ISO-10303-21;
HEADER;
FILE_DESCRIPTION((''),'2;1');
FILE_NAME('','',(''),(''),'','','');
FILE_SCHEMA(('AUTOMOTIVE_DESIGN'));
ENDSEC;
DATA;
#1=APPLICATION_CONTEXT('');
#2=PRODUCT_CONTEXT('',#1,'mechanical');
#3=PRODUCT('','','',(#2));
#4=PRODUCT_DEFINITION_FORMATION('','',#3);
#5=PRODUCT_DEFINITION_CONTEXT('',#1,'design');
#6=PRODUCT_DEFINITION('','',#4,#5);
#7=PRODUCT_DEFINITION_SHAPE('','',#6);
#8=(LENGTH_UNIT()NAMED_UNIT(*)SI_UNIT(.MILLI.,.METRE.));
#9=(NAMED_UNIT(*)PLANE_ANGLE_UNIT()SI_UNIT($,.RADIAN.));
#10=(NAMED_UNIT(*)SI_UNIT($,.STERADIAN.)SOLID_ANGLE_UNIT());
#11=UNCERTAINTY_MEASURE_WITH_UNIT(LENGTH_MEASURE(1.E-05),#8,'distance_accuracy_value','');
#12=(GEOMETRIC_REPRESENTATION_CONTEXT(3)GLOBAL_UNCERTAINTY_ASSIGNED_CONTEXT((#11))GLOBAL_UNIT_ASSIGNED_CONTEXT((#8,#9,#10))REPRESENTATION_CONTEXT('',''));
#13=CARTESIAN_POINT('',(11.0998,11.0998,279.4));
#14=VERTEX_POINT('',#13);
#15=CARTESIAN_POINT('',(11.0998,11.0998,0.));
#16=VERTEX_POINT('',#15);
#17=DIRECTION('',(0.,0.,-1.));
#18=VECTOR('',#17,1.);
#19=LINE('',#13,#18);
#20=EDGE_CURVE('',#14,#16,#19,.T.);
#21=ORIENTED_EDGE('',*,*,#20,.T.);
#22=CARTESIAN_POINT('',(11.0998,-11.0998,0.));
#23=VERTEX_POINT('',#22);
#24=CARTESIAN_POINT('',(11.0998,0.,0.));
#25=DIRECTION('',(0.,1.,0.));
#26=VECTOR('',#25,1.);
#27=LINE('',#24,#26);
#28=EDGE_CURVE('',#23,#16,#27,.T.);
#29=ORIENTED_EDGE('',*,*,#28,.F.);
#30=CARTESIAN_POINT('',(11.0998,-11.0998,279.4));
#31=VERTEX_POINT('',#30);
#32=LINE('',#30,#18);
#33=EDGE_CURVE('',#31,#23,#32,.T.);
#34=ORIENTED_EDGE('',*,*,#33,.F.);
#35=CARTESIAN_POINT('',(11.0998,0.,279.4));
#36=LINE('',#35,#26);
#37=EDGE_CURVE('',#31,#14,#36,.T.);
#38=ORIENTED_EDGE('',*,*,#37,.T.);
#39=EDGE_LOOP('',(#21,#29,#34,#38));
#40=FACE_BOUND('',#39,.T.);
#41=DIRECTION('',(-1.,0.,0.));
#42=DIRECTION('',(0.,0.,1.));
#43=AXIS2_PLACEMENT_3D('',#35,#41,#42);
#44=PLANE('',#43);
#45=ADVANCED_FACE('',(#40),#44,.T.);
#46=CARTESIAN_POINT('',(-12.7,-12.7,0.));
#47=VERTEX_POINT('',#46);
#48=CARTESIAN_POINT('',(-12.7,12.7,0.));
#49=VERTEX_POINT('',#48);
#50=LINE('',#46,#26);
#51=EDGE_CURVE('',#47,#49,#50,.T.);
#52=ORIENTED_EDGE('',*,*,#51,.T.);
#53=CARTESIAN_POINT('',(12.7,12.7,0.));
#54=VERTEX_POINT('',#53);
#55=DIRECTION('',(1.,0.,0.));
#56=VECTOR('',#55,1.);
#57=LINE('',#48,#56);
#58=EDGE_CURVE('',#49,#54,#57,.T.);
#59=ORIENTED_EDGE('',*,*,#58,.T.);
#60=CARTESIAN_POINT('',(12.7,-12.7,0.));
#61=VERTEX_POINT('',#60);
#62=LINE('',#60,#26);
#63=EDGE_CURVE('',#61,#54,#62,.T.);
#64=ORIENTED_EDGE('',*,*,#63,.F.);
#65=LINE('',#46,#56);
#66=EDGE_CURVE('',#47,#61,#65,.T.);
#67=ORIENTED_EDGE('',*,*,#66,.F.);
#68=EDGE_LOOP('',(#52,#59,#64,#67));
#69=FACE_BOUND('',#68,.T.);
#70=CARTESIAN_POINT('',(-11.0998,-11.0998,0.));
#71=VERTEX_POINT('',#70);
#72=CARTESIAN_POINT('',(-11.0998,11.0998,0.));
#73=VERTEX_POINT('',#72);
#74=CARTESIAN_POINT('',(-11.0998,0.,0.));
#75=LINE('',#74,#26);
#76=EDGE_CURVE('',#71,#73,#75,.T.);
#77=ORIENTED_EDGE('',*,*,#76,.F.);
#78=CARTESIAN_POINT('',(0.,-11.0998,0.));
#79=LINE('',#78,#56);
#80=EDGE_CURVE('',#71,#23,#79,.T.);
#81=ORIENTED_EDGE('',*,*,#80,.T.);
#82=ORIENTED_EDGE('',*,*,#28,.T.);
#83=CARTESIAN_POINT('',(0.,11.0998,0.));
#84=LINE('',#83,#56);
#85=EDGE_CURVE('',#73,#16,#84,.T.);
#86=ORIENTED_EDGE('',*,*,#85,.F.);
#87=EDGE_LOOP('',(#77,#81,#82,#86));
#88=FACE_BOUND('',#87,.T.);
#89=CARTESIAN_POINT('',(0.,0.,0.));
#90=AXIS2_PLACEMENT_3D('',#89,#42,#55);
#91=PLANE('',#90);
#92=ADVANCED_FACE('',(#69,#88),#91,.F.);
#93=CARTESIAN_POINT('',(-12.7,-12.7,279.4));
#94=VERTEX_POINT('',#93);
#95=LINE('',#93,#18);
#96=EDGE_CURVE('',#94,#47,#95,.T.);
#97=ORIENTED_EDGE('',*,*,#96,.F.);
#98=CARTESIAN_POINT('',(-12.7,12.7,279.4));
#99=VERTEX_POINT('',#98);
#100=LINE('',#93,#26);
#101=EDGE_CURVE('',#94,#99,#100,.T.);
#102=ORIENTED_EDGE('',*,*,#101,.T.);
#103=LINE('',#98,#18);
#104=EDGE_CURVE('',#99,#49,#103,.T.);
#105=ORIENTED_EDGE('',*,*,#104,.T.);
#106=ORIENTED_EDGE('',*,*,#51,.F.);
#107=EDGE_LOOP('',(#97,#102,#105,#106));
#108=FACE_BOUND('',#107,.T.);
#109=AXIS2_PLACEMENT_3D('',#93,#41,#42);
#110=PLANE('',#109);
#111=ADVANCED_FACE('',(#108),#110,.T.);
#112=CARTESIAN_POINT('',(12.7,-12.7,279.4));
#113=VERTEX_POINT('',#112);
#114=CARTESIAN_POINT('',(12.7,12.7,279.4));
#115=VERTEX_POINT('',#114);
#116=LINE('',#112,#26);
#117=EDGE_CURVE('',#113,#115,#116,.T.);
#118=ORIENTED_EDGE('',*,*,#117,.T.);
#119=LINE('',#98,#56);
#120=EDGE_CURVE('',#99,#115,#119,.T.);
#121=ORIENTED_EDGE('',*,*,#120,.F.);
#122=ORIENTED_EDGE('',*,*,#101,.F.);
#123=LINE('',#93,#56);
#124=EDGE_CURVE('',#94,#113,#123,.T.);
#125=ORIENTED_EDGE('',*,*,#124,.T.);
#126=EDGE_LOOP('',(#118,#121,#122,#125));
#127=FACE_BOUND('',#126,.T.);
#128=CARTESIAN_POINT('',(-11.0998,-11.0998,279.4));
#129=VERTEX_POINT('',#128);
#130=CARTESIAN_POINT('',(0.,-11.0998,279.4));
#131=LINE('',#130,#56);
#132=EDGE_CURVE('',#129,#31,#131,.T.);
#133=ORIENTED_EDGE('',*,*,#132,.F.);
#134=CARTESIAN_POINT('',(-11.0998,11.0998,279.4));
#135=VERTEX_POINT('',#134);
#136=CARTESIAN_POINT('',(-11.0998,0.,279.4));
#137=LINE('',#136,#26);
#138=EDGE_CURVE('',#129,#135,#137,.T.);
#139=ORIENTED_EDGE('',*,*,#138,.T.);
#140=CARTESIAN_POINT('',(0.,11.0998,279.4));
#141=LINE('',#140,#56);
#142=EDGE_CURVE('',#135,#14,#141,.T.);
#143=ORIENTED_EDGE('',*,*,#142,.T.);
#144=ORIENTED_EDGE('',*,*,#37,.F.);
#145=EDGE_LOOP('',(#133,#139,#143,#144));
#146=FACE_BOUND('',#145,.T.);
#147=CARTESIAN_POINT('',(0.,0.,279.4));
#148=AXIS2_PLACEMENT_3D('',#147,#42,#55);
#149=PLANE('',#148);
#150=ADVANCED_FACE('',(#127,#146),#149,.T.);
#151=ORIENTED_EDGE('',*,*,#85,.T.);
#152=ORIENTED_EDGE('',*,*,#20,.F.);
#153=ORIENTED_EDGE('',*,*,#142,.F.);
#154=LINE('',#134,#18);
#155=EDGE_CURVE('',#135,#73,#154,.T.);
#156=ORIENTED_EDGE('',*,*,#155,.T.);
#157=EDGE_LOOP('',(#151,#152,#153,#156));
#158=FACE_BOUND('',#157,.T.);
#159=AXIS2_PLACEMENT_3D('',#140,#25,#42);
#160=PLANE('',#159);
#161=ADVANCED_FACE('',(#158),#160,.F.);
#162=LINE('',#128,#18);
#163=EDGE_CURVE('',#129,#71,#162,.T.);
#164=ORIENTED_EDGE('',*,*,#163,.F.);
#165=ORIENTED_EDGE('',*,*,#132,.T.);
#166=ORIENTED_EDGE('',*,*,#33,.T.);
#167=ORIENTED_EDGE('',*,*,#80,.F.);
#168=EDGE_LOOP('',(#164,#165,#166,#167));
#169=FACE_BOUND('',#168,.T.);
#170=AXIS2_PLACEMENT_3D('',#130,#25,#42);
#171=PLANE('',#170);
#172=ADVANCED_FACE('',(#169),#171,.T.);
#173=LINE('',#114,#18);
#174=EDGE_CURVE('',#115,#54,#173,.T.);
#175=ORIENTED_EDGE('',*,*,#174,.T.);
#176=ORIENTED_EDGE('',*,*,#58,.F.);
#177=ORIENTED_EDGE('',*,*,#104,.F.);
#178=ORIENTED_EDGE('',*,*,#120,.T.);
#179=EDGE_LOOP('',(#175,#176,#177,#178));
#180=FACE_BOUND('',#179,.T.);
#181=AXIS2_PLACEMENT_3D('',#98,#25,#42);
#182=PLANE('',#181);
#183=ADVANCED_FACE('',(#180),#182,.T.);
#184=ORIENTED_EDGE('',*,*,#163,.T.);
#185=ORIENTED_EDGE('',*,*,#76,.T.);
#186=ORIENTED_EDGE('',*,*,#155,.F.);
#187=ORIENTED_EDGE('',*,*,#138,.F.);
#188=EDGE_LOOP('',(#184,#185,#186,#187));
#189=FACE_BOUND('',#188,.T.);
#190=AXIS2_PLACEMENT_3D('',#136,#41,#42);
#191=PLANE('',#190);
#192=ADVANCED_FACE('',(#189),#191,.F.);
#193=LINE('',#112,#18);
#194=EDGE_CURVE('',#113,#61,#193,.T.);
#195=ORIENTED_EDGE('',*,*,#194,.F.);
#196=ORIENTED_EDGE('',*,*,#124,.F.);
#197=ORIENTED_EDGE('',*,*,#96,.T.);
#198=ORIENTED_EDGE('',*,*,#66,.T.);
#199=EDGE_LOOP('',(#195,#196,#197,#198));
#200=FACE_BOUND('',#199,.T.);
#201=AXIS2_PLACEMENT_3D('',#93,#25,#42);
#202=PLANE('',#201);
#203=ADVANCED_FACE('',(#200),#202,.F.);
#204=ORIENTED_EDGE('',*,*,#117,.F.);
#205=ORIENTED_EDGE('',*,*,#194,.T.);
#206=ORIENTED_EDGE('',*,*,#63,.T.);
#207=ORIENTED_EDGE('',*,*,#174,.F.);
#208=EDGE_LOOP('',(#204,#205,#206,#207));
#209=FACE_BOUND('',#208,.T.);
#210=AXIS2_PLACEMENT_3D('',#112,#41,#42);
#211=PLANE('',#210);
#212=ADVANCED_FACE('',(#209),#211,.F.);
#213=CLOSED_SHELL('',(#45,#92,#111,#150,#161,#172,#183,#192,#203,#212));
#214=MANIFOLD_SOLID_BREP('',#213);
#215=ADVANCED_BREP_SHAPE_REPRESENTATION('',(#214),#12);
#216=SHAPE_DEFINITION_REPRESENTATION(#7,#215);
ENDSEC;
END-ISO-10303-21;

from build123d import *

# Parameters (mm, degrees)
SKETCH1_W           = 25.4
SKETCH1_H           = 25.4
SKETCH1_W_2         = 22.1996
SKETCH1_H_2         = 22.1996
BOSS_EXTRUDE1_DEPTH = 279.4


with BuildPart() as part:
    # Sketch1 → Boss-Extrude1 (new body)
    with BuildSketch(Plane.XY):
        Rectangle(SKETCH1_W, SKETCH1_H)
        Rectangle(SKETCH1_W_2, SKETCH1_H_2, mode=Mode.SUBTRACT)
    extrude(amount=BOSS_EXTRUDE1_DEPTH)


solid = part.part
